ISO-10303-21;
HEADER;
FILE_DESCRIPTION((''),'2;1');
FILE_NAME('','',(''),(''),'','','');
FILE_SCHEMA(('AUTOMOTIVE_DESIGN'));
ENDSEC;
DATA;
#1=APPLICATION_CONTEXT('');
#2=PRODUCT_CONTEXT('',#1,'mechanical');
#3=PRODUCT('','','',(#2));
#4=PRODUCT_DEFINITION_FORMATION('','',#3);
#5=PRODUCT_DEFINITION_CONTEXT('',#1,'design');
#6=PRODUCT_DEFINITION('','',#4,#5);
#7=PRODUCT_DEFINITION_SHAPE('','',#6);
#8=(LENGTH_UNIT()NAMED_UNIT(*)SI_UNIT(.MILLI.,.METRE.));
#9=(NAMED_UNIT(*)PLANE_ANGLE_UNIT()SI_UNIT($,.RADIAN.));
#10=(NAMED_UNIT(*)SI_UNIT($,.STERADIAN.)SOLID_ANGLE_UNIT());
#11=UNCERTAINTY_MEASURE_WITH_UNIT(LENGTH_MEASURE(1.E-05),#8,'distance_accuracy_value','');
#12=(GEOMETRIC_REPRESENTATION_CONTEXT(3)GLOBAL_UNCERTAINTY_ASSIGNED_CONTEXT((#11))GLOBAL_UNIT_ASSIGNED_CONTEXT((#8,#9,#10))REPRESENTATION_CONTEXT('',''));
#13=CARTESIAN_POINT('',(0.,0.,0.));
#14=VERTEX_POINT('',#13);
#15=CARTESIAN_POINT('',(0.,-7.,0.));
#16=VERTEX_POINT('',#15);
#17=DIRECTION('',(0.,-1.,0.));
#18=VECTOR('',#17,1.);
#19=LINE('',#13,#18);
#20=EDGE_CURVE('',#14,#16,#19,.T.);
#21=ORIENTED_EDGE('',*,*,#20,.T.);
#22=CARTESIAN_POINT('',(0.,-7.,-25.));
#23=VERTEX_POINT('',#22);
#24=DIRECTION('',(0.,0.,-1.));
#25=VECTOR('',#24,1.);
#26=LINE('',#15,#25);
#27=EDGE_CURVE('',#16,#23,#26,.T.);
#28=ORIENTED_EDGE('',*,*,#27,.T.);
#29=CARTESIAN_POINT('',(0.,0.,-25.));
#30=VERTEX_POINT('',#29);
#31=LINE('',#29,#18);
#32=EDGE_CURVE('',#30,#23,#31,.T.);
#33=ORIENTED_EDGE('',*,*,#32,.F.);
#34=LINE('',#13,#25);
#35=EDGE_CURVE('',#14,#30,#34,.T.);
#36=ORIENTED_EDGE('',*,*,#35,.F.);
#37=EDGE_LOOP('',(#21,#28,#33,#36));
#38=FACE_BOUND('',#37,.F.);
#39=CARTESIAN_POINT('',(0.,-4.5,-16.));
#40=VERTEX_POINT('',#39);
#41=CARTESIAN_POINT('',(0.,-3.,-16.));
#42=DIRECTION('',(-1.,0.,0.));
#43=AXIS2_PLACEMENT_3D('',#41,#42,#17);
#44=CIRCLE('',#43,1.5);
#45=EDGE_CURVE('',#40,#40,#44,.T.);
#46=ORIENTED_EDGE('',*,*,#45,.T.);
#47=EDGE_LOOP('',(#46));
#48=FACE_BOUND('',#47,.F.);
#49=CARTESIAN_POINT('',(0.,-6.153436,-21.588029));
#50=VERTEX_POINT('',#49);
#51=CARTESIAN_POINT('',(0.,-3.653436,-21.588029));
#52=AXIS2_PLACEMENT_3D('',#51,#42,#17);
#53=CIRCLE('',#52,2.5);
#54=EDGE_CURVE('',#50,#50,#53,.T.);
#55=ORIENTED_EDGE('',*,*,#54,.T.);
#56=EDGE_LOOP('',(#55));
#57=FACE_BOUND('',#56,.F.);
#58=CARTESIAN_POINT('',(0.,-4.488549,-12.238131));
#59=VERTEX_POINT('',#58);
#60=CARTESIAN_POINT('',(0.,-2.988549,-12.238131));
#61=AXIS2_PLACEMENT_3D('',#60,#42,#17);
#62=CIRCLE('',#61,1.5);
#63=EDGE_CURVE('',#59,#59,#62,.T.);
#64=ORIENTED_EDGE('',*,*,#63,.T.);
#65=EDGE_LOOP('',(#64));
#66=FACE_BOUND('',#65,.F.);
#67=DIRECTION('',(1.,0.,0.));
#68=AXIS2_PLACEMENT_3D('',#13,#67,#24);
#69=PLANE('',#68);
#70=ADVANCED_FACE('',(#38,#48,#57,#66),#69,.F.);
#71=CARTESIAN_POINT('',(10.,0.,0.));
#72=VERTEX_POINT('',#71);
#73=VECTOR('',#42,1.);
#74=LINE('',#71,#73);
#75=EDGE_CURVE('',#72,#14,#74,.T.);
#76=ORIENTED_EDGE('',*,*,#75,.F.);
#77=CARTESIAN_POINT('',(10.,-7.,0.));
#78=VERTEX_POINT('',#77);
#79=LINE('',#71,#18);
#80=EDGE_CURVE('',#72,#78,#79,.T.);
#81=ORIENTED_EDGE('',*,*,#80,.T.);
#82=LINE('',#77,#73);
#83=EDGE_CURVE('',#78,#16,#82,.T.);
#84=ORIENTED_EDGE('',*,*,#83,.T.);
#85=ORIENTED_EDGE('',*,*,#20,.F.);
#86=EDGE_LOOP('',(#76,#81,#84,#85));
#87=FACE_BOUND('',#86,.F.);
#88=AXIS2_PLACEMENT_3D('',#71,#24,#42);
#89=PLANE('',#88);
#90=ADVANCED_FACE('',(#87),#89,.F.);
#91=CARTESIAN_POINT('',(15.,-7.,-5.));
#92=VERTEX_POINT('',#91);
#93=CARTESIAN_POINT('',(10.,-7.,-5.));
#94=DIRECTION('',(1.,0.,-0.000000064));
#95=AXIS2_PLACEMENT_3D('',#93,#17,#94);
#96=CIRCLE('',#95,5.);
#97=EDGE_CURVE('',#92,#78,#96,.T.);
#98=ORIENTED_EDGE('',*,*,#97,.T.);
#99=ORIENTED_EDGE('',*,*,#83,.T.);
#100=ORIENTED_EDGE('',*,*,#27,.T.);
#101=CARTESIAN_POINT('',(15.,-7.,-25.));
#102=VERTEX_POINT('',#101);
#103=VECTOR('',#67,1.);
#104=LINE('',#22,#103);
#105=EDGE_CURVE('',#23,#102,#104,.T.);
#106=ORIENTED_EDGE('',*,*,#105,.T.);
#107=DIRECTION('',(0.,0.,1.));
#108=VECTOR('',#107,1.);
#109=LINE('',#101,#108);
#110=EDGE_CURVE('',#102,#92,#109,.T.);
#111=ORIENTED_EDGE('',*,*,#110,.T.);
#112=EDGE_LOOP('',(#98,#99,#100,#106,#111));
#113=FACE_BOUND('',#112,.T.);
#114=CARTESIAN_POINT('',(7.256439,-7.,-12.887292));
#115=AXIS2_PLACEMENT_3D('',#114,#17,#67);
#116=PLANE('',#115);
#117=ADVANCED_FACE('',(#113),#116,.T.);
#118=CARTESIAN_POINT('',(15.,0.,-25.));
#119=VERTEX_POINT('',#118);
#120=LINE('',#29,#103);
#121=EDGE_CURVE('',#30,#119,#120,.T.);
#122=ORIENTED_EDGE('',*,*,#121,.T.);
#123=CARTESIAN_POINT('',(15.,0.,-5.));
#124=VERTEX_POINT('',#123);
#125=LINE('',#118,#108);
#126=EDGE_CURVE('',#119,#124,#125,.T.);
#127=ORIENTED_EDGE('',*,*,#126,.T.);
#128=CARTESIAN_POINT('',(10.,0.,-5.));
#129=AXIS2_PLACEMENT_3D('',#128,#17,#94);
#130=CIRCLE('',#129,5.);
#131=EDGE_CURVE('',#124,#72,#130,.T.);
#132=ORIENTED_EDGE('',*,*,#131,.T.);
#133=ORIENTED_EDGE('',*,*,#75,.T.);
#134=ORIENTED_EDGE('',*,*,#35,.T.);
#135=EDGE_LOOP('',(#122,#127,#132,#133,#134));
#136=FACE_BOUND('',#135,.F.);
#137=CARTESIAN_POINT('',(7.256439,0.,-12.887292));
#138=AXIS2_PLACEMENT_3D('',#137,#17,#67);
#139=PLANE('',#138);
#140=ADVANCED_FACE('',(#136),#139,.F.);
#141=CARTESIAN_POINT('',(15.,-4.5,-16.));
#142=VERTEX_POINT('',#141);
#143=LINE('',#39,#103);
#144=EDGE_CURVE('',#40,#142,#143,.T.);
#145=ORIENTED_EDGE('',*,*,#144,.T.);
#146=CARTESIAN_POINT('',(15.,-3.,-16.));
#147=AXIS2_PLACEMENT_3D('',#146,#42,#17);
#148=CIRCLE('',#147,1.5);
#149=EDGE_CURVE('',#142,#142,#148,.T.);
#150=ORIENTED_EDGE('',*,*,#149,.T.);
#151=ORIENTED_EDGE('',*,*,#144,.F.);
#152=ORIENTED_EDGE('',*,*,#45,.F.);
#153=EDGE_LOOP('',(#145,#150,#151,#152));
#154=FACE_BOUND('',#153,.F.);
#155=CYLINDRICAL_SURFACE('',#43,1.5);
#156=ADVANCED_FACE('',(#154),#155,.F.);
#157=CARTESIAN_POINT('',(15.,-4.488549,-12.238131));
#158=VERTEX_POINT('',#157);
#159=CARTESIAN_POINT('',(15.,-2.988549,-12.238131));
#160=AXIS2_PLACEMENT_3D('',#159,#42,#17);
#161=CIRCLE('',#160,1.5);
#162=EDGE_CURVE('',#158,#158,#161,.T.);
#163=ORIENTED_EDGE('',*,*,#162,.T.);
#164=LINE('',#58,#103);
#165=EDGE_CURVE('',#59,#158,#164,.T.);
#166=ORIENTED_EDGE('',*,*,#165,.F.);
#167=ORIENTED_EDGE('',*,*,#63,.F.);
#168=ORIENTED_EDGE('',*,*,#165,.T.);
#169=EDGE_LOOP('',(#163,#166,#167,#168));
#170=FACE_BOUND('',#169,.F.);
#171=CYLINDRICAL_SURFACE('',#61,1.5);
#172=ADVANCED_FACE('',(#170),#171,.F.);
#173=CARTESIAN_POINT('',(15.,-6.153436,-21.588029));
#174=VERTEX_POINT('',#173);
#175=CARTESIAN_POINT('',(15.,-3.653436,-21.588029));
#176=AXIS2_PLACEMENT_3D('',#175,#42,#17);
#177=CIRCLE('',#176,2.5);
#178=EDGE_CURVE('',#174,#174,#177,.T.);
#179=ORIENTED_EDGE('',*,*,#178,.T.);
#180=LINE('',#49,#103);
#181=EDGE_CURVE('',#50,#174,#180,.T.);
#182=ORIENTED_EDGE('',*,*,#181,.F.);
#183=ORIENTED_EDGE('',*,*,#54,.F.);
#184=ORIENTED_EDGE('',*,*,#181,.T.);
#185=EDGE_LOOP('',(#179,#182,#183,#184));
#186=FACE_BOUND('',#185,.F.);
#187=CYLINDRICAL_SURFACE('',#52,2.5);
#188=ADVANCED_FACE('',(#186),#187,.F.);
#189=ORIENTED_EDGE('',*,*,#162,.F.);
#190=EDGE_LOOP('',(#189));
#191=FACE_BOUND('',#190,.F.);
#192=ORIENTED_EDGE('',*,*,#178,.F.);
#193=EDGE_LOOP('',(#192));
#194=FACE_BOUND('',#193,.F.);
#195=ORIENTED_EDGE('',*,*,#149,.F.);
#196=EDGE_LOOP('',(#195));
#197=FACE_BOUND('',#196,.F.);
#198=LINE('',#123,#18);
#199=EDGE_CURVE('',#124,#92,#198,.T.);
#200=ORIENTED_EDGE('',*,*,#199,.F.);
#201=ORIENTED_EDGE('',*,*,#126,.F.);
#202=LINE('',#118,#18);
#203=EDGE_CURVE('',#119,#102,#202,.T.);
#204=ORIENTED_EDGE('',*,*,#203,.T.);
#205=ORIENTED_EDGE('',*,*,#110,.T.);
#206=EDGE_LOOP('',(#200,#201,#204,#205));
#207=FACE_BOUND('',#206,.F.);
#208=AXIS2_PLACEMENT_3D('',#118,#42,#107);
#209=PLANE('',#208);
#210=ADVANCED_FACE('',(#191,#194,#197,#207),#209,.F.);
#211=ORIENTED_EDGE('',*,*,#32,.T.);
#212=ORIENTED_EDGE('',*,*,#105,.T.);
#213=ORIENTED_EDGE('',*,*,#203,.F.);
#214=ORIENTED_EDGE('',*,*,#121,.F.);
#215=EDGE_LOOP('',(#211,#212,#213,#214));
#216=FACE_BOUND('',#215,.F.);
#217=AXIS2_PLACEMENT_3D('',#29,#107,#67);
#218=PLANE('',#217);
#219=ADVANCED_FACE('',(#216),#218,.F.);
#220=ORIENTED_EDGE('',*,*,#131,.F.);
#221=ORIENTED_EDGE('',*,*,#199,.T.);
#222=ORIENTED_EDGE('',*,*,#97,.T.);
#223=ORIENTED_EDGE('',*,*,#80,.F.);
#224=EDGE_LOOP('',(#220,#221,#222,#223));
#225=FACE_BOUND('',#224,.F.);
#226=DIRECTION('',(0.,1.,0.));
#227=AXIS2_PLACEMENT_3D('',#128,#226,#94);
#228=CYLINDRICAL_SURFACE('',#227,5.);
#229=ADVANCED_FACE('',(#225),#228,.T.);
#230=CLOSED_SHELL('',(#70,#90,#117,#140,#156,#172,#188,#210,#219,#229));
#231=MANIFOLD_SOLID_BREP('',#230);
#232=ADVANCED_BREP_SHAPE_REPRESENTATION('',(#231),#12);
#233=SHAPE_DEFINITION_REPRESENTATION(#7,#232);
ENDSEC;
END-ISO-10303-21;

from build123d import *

# Parameters (mm, degrees)
F1_DEPTH = 7
F2_R     = 1.5
F2_R_2   = 2.5
F3_DEPTH = 20


with BuildPart() as f1:
    # F0 (on Front) → F1 (new body)
    with BuildSketch(Plane.XZ):
        with BuildLine():
            Line((10, 0), (0, 0))
            Line((0, 0), (0, -25))
            Line((0, -25), (15, -25))
            Line((15, -25), (15, -5))
            ThreePointArc((15, -5), (13.535534, -1.464466), (10, 0))
        make_face()
    extrude(amount=F1_DEPTH)

    # F2 (on face) → F3 (cut)
    with BuildSketch(Plane(origin=(0, 0, 0), x_dir=(0, -1, 0), z_dir=(-1, 0, 0))):
        with Locations((2.988549, -12.238131)):
            Circle(F2_R)
        with Locations((3, -16)):
            Circle(F2_R)
        with Locations((3.653436, -21.588029)):
            Circle(F2_R_2)
    extrude(amount=-F3_DEPTH, mode=Mode.SUBTRACT)


solid = f1.part
